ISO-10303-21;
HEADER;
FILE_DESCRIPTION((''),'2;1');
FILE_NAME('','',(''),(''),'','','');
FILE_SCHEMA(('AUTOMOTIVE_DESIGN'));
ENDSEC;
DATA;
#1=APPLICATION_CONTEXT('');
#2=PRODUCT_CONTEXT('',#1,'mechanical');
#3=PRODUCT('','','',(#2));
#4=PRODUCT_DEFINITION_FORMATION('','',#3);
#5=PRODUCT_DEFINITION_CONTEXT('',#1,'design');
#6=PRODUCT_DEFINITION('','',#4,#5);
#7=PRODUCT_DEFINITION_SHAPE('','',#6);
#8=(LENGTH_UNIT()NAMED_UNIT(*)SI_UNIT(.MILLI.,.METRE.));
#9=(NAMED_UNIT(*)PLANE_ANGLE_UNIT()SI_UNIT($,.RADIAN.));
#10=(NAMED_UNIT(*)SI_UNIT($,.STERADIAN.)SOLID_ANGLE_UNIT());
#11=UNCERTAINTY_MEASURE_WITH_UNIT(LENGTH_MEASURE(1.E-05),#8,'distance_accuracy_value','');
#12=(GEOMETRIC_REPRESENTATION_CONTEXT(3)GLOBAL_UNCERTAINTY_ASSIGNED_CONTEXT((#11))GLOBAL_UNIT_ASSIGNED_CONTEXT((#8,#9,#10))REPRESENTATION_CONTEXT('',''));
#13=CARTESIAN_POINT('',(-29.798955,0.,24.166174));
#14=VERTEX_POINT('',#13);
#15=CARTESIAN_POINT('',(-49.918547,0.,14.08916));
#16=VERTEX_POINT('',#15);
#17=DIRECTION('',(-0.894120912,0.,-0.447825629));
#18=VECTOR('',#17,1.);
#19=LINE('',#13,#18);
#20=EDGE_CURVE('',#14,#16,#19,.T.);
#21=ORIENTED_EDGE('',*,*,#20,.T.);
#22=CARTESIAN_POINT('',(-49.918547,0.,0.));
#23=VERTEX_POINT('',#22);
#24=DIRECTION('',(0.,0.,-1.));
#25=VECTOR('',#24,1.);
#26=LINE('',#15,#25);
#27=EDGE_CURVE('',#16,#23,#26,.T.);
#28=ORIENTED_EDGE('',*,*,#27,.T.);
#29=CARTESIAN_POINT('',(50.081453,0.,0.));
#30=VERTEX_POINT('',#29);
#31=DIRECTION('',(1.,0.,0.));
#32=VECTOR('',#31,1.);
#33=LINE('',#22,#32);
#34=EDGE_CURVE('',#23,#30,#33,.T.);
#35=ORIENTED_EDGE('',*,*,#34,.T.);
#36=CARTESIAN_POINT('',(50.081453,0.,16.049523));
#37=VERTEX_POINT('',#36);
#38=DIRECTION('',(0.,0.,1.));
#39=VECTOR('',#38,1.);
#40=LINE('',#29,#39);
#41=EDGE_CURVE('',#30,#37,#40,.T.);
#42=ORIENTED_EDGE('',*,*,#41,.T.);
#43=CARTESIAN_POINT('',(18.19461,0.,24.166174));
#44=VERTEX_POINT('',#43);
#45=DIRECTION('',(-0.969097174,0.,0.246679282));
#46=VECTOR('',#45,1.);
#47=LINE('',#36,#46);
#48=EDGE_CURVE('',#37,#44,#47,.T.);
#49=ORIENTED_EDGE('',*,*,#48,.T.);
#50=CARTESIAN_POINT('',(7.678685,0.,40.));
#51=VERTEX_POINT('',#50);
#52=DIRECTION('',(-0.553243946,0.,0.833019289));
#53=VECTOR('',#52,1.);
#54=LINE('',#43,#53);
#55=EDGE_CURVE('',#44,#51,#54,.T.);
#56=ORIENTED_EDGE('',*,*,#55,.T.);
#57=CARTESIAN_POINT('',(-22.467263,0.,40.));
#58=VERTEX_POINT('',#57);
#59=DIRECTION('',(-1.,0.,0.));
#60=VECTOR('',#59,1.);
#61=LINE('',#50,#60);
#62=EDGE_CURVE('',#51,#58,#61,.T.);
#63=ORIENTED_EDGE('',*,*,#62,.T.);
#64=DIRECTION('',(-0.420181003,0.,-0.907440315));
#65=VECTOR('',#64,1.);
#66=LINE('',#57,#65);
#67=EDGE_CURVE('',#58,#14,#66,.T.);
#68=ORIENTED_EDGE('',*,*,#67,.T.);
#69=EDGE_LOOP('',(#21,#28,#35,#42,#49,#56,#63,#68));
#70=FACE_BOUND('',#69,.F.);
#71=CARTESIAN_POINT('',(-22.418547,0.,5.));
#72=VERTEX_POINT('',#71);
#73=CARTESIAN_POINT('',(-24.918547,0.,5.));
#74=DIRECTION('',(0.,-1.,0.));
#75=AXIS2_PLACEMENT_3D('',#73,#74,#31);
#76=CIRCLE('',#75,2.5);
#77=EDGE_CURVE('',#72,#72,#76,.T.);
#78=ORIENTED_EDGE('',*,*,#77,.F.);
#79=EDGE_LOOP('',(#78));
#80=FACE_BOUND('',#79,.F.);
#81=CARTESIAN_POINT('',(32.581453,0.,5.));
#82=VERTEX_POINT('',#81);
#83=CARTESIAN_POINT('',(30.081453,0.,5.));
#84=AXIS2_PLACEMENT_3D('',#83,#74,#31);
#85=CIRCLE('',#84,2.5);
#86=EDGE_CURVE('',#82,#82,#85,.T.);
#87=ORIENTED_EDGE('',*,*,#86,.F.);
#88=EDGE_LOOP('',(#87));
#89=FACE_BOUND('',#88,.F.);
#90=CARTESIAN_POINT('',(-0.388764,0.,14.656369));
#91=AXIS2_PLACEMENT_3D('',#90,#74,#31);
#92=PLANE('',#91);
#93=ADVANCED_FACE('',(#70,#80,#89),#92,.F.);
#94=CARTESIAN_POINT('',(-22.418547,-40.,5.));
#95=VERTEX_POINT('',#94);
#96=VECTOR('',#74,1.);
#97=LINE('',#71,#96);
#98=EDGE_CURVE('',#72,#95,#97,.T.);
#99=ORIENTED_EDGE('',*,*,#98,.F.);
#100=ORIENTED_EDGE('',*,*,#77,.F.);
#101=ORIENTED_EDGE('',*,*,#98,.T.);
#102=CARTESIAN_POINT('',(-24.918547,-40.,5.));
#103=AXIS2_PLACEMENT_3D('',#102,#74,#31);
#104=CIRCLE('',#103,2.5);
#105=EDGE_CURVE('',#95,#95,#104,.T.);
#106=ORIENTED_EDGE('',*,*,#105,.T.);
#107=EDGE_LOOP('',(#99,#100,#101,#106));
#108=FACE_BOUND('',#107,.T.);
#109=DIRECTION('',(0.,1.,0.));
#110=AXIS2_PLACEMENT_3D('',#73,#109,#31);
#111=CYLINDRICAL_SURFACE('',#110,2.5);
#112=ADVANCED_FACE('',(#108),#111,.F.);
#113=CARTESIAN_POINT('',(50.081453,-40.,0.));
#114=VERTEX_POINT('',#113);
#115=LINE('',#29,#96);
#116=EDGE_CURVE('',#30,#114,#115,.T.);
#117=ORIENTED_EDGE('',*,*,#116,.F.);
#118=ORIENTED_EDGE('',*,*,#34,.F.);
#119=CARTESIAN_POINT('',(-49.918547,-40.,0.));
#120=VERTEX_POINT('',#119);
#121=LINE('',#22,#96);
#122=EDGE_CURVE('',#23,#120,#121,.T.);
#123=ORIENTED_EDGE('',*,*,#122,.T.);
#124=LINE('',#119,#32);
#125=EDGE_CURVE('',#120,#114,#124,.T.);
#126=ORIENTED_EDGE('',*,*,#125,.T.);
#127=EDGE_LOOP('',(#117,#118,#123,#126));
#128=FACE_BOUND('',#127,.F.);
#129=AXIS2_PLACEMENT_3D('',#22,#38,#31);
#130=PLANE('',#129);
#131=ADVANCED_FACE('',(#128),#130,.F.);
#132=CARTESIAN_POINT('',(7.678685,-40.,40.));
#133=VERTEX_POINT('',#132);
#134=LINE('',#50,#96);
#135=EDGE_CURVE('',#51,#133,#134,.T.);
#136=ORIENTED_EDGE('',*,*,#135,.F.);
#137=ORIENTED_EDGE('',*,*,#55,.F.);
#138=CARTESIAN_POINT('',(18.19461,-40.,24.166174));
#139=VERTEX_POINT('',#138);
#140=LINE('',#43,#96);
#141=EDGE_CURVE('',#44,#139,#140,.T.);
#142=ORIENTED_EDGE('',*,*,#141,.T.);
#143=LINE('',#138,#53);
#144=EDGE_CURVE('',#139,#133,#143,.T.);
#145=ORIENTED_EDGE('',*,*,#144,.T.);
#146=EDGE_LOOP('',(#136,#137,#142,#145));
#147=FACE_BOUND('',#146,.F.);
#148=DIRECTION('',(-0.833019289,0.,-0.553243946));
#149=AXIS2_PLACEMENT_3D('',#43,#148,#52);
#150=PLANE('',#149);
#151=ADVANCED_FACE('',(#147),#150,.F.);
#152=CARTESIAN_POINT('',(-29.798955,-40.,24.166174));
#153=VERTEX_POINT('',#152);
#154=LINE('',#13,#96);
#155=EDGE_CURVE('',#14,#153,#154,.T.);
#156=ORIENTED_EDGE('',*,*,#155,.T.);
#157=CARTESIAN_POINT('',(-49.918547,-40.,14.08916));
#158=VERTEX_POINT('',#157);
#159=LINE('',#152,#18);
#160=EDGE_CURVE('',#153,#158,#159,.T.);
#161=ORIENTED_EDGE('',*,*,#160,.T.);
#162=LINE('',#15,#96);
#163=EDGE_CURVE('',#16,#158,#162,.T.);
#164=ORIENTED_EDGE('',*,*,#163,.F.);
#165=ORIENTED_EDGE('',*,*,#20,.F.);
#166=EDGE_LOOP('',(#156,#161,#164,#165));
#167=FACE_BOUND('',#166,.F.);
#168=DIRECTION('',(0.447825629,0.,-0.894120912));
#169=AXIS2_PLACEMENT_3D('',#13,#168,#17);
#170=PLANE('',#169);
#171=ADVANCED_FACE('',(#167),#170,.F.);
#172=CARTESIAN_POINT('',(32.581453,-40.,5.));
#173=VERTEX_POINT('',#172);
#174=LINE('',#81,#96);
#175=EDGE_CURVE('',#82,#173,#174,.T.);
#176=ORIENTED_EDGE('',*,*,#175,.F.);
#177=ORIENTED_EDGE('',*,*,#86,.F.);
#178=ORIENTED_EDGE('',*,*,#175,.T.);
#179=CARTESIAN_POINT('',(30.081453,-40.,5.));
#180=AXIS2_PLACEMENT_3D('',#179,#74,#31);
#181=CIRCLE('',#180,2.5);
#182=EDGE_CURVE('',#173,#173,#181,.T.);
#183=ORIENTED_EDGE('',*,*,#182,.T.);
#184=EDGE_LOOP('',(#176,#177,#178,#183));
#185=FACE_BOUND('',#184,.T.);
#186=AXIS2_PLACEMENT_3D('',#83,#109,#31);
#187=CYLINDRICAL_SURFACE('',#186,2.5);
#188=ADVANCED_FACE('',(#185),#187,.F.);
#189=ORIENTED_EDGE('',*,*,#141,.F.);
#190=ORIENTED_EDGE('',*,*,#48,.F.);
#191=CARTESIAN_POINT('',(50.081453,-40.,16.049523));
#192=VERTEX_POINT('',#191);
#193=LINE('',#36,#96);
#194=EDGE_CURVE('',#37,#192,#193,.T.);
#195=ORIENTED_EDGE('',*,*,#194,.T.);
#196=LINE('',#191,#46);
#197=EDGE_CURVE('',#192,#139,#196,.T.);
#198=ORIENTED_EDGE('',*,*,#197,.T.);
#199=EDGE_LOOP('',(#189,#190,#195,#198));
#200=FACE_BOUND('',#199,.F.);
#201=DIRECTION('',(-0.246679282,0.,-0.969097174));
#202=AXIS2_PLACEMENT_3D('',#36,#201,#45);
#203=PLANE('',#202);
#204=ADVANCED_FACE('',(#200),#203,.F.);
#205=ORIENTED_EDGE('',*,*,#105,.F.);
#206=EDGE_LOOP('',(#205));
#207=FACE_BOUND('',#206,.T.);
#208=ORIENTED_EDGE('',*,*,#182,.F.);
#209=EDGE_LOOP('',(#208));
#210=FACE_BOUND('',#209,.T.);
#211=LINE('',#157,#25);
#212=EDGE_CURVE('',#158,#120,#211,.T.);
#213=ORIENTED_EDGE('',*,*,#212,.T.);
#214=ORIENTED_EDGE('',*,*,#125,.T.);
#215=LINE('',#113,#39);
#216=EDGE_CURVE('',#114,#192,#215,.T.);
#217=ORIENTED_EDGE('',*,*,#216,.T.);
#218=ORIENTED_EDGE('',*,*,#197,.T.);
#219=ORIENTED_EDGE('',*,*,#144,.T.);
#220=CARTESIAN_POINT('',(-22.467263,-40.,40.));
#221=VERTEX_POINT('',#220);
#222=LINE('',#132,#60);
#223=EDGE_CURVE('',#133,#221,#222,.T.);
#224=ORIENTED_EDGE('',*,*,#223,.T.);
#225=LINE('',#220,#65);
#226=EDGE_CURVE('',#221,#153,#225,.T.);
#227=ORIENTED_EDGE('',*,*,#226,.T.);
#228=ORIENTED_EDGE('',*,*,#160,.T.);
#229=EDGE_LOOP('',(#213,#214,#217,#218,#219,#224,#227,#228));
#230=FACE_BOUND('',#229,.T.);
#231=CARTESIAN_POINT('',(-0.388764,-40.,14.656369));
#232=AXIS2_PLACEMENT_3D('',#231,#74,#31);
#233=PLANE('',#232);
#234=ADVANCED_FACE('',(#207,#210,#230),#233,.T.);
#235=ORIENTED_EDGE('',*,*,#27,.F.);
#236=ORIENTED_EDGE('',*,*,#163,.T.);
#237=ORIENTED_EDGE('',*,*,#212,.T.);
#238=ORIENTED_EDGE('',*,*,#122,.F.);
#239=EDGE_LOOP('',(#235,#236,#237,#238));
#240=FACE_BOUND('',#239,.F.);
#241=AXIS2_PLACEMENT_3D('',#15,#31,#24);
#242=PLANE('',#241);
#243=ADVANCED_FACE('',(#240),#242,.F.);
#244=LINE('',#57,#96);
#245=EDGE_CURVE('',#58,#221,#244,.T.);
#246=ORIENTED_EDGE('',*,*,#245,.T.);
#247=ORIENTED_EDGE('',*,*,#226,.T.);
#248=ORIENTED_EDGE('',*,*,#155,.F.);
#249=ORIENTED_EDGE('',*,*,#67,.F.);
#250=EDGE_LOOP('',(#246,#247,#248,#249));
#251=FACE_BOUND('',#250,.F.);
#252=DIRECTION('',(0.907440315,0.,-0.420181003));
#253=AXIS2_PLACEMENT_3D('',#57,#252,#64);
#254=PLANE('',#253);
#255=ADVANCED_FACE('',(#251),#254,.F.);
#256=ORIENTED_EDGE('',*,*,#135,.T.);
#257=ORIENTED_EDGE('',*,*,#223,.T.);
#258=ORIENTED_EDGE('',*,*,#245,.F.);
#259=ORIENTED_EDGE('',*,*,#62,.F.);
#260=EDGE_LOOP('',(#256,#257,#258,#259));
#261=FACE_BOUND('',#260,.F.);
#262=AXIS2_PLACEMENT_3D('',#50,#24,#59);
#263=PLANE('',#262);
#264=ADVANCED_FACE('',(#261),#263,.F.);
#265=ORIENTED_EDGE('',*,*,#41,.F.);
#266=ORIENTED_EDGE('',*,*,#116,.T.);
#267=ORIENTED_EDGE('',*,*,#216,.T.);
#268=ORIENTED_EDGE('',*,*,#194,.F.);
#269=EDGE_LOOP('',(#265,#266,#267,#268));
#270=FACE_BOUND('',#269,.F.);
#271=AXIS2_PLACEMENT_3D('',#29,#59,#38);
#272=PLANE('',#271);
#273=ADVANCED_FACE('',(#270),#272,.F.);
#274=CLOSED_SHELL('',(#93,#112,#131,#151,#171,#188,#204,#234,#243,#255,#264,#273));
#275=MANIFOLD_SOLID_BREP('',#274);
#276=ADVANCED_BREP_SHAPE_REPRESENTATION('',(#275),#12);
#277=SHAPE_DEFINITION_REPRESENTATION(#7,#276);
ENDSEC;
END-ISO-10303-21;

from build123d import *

# Parameters (mm, degrees)
F0_R     = 2.5
F1_DEPTH = 40


with BuildPart() as f1:
    # F0 (on Front) → F1 (new body)
    with BuildSketch(Plane.XZ):
        Polygon((-49.918547, 14.08916), (-49.918547, 0), (50.081453, 0), (50.081453, 16.049523), (18.19461, 24.166174), (7.678685, 40), (-22.467263, 40), (-29.798955, 24.166174), align=None)
        with Locations((-24.918547, 5)):
            Circle(F0_R, mode=Mode.SUBTRACT)
        with Locations((30.081453, 5)):
            Circle(F0_R, mode=Mode.SUBTRACT)
    extrude(amount=F1_DEPTH)


solid = f1.part
